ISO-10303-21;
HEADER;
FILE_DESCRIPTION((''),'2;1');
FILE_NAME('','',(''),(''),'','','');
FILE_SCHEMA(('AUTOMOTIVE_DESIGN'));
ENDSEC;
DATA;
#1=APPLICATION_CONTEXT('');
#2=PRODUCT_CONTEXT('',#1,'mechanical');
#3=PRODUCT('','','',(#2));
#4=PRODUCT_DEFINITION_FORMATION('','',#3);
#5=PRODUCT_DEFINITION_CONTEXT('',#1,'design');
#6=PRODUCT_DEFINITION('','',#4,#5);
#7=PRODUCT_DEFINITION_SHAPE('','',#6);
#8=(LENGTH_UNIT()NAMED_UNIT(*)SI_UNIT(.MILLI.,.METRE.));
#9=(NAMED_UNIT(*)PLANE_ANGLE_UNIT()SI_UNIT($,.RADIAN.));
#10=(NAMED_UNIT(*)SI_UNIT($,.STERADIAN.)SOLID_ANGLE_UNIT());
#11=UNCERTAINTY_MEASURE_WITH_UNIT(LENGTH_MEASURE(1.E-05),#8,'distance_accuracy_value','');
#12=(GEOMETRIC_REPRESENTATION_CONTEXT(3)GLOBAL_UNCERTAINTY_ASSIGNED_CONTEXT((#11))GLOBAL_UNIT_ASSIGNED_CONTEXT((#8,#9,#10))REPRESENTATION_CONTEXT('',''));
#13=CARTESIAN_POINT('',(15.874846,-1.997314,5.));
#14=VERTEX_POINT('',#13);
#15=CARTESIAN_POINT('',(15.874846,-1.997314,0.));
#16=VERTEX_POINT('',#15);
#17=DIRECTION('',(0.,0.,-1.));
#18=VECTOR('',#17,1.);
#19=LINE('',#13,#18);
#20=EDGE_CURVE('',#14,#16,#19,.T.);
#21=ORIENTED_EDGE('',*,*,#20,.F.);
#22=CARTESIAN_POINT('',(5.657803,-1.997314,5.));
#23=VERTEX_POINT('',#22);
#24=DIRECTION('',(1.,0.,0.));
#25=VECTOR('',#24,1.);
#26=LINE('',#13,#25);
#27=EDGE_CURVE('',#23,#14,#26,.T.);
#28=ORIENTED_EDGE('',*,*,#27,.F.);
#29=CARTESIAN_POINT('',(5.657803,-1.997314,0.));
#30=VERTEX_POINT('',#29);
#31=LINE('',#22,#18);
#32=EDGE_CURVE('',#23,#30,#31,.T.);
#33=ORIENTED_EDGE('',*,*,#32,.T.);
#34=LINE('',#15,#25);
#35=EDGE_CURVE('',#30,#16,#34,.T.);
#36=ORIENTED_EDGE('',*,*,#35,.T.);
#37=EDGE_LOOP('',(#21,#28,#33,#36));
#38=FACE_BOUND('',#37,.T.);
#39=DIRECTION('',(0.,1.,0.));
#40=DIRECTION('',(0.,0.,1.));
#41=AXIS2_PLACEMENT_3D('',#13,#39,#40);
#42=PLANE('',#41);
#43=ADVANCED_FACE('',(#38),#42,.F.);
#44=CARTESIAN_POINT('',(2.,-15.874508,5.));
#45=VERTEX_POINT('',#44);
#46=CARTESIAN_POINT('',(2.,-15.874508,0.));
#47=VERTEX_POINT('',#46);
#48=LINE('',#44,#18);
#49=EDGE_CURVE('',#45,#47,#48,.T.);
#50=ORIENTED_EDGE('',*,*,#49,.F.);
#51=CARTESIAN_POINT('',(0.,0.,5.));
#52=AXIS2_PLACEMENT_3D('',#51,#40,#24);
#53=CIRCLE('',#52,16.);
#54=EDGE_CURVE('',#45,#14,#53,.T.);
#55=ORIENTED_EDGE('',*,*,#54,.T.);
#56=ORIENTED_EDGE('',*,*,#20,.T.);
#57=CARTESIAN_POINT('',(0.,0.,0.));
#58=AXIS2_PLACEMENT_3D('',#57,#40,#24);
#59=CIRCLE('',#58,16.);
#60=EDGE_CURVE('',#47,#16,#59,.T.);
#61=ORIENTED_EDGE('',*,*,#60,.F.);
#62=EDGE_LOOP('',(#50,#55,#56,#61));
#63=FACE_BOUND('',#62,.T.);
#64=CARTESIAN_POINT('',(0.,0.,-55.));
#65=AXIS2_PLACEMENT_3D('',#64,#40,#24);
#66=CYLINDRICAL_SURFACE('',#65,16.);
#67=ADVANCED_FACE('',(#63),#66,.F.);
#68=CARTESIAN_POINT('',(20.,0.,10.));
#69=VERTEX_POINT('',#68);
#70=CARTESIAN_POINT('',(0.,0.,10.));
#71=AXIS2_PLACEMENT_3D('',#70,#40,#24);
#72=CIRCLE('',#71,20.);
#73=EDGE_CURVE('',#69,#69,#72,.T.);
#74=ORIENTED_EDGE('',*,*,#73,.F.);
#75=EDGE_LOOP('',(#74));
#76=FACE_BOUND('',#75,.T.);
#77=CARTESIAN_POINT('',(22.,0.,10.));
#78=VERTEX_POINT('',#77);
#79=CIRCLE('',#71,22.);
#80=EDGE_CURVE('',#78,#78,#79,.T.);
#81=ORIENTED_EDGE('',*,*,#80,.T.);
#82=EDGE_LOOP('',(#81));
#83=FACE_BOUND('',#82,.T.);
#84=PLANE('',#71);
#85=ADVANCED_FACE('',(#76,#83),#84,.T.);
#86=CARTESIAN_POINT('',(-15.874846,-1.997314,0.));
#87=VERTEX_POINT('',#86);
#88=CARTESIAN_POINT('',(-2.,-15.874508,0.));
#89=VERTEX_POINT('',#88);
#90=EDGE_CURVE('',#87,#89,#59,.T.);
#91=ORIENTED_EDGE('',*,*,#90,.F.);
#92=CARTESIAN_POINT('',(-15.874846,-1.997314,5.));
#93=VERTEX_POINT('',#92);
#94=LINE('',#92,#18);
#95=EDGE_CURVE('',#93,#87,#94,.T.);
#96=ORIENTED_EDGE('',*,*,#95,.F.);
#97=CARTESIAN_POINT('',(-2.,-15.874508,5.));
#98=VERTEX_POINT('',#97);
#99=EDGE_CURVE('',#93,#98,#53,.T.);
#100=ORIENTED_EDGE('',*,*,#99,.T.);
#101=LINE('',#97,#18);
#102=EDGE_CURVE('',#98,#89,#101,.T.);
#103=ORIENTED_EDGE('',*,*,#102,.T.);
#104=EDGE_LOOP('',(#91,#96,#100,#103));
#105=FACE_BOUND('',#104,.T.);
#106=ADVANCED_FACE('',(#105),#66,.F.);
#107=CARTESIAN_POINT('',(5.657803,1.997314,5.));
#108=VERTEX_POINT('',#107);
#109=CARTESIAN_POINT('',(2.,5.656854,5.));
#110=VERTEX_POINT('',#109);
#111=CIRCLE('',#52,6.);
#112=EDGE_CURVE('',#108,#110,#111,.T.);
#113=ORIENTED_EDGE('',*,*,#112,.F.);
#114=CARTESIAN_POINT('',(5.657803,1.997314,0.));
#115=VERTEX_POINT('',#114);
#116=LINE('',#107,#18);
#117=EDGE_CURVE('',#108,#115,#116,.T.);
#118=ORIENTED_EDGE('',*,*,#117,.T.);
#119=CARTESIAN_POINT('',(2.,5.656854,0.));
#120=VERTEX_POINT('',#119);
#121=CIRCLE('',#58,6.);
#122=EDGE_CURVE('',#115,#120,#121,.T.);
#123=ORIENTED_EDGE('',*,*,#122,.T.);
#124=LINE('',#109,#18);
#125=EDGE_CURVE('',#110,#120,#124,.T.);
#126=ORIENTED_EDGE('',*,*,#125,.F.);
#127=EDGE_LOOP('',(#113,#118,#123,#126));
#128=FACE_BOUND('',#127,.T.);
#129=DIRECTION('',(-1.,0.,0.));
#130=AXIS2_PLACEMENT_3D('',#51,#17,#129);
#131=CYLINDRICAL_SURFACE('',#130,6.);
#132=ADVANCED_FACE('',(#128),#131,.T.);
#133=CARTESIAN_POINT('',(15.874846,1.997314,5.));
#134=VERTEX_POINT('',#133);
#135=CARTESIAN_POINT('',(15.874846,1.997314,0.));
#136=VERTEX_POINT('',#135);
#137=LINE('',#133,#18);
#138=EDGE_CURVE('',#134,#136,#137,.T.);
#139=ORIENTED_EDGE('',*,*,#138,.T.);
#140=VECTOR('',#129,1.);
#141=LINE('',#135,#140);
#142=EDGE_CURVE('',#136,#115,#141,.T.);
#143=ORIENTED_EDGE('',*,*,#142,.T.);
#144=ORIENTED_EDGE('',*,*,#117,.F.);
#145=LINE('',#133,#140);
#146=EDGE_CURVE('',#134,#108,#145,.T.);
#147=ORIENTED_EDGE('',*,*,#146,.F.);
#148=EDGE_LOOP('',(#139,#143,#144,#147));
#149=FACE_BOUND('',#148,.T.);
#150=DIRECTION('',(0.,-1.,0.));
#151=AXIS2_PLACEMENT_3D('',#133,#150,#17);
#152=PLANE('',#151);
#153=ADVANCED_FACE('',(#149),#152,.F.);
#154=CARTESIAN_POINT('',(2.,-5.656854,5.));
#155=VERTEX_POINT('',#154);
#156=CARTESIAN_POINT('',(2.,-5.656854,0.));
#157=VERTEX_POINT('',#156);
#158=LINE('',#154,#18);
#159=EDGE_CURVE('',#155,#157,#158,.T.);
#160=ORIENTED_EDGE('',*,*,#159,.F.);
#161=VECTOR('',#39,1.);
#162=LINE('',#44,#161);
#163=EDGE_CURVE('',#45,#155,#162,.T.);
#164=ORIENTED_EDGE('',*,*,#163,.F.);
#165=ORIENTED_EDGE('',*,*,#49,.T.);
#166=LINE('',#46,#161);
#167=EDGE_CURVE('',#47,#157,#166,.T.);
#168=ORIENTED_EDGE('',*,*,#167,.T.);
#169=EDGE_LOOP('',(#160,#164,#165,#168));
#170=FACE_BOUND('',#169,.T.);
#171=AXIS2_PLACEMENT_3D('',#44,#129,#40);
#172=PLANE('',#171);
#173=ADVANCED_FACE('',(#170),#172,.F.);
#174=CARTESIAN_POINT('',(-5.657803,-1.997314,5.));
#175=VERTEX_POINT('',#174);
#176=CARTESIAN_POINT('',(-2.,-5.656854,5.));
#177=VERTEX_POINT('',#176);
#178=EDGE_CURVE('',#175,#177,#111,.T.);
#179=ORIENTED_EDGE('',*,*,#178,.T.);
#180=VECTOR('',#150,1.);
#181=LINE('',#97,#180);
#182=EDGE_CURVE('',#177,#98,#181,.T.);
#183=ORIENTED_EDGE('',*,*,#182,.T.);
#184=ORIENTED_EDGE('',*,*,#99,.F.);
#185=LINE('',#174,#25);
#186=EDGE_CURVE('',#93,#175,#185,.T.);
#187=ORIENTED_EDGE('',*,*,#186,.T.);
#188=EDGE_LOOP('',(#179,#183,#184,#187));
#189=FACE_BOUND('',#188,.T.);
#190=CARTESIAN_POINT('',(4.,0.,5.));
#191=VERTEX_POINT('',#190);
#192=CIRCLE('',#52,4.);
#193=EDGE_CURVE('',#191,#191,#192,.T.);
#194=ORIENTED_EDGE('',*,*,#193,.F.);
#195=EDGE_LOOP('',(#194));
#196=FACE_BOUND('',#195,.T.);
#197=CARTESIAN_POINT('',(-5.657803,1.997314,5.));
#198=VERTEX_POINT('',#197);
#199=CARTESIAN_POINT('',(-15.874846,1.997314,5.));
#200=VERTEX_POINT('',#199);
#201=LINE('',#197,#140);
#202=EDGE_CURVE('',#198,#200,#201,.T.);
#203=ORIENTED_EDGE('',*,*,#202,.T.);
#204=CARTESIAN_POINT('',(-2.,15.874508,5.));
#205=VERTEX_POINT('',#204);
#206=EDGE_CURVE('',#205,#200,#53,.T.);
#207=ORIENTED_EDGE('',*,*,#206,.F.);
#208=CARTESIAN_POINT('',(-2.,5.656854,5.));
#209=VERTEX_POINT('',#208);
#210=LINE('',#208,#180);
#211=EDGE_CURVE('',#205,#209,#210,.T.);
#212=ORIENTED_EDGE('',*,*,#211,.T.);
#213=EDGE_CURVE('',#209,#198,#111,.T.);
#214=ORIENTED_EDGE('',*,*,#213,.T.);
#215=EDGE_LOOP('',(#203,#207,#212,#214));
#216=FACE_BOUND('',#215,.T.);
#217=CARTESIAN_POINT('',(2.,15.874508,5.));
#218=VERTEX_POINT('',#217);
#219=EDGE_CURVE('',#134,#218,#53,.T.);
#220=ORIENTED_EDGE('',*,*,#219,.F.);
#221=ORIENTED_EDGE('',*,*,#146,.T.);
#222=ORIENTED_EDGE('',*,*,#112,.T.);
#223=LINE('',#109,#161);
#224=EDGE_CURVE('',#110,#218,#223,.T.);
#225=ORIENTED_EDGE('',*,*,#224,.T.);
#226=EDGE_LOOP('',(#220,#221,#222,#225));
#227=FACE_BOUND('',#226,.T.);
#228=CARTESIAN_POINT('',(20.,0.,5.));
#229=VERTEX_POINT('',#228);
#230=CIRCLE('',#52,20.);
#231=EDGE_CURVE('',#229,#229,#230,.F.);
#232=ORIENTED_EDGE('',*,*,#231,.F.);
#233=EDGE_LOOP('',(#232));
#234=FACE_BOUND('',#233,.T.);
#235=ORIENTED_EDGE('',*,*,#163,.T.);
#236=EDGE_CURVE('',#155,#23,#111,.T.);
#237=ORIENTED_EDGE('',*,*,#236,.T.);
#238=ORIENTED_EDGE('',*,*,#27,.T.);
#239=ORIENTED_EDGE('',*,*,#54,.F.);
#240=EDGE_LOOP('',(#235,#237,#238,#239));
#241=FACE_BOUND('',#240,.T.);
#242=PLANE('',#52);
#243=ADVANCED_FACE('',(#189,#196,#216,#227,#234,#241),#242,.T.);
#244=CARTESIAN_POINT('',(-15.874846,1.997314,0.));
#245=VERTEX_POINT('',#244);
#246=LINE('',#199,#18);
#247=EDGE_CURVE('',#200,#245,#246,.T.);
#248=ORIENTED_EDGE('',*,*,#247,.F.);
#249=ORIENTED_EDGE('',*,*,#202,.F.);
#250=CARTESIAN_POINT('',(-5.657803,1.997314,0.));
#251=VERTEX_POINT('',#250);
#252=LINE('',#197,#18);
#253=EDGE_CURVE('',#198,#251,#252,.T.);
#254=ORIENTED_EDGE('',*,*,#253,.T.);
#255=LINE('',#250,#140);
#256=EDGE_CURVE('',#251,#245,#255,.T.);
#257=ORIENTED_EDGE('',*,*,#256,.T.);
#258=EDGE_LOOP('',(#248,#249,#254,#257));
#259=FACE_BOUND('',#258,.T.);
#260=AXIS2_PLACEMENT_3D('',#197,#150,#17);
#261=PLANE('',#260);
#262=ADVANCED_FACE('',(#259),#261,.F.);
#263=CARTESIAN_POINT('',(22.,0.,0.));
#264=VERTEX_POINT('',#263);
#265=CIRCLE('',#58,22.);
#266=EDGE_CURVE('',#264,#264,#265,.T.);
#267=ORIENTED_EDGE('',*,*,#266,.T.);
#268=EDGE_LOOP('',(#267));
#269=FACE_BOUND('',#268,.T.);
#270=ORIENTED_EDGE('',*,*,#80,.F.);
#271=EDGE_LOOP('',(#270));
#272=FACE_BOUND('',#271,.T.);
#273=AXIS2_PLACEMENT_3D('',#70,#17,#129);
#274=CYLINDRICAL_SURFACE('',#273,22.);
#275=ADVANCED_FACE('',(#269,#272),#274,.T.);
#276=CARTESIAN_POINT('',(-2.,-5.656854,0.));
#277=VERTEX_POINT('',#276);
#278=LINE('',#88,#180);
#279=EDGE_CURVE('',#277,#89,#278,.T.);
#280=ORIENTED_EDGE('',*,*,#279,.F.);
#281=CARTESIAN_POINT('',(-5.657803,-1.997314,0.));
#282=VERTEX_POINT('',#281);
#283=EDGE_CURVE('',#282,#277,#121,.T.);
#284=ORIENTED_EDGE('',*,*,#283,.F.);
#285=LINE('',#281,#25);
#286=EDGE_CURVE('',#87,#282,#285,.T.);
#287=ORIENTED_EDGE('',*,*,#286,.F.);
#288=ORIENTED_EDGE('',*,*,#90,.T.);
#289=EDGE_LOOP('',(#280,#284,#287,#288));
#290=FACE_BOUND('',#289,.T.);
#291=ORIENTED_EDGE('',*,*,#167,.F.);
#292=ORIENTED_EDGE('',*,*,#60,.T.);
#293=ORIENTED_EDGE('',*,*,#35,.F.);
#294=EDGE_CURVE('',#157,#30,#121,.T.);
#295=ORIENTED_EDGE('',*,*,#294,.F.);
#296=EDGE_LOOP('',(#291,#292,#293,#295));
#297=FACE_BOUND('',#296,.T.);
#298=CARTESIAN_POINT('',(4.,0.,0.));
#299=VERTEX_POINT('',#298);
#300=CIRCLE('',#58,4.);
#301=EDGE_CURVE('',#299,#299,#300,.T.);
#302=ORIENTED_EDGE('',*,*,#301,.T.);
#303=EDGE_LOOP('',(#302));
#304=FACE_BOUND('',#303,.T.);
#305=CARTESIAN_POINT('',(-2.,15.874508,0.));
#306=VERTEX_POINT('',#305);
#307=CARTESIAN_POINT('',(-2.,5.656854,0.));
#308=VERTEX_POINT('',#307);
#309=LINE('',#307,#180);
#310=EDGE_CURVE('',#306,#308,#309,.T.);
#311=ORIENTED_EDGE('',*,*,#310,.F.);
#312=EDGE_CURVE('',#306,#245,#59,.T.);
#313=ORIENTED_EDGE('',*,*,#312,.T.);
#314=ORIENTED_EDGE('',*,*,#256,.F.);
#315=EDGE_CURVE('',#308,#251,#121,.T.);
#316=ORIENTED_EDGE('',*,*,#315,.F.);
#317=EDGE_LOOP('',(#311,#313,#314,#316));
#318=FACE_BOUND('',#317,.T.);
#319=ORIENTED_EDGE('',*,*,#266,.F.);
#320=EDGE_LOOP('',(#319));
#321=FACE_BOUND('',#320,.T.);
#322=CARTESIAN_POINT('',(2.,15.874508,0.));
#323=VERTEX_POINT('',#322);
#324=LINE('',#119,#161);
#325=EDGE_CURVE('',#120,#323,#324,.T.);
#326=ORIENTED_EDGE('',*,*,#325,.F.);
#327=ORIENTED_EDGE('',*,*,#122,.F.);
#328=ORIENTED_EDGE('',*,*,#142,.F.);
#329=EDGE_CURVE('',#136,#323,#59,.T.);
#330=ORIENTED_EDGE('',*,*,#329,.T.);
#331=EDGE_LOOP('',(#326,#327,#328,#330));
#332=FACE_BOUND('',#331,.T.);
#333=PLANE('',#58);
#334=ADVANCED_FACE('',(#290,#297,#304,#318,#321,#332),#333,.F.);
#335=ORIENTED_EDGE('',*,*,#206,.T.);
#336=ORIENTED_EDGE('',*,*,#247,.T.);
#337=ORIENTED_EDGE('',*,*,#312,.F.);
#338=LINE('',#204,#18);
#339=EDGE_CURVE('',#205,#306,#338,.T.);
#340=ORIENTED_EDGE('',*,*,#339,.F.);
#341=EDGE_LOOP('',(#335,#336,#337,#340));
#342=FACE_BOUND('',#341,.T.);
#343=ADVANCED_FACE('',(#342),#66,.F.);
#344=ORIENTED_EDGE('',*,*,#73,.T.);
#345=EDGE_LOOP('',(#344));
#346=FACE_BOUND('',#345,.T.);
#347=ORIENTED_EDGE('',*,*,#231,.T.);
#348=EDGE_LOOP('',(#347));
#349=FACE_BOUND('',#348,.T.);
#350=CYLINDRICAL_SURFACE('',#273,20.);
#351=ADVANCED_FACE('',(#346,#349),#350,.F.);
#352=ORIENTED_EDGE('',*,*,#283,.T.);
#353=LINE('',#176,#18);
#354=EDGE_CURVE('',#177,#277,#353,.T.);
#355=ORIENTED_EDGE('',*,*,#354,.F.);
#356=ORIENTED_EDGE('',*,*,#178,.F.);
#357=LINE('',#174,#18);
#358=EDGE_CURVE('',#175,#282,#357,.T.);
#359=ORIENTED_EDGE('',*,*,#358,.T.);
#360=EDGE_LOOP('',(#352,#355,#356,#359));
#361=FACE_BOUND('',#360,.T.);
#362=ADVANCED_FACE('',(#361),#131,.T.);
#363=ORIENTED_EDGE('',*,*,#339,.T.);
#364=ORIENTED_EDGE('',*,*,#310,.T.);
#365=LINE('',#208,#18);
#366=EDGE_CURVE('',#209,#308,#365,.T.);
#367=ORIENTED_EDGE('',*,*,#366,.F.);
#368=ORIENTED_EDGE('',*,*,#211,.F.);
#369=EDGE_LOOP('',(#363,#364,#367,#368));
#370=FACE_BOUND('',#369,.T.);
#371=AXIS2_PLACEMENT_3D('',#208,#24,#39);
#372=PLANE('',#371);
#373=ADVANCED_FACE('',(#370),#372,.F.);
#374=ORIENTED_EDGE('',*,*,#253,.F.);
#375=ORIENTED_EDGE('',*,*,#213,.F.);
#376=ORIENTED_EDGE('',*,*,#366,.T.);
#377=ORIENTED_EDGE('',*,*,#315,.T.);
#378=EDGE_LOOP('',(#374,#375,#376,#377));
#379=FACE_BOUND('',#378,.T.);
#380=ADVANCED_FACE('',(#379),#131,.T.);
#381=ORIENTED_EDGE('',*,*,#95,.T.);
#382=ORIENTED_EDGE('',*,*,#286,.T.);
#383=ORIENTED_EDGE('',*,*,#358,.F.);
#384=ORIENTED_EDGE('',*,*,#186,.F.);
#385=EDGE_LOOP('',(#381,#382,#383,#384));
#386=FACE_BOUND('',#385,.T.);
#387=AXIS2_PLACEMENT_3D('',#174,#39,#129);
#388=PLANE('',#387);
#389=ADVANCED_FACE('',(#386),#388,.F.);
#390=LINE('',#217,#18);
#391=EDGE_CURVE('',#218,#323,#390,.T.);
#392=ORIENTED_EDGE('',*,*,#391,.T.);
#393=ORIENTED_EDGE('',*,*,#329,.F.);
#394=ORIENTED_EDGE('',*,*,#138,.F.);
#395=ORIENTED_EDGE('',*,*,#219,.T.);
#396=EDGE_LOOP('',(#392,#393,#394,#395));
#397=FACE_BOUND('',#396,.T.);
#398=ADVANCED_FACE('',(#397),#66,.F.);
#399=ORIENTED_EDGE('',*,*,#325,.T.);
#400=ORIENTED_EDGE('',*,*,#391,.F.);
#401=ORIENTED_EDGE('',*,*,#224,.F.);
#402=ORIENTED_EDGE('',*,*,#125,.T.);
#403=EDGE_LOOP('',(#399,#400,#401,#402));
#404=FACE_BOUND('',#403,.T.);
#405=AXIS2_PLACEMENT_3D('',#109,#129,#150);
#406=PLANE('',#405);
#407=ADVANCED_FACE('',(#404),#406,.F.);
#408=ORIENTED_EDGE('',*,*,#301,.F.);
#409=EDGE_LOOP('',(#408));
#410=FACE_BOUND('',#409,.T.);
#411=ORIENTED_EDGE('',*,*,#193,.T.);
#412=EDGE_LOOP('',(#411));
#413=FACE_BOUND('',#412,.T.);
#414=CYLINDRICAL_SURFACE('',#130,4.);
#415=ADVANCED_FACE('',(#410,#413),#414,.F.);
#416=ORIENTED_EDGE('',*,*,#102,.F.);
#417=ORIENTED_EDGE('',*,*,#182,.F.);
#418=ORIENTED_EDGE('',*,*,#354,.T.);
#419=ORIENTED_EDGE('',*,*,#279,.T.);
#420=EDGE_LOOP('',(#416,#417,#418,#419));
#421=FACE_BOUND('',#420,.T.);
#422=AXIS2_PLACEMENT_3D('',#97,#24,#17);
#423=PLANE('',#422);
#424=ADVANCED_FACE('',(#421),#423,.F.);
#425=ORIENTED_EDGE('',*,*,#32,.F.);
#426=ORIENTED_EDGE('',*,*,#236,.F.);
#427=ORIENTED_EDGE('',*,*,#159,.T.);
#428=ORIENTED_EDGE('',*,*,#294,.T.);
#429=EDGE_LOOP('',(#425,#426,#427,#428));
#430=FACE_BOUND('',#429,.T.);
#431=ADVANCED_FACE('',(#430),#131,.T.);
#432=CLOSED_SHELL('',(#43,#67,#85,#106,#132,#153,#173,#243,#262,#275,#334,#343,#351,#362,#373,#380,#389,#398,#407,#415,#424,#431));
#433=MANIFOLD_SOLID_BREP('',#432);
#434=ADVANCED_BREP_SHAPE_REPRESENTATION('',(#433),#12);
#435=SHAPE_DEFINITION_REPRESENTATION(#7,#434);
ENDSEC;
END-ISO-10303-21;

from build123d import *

# Parameters (mm, degrees)
ESBO_O1_R                = 20
ESBO_O1_R_2              = 4
RESSALTO_EXTRUS_O3_DEPTH = 5
ESBO_O1_6_R              = 22
ESBO_O1_6_R_2            = 20
RESSALTO_EXTRUS_O4_DEPTH = 10
ESBO_O1_7_R              = 4
RESSALTO_EXTRUS_O5_DEPTH = 2
ESBO_O2_R                = 16
CORTE_EXTRUS_O1_DEPTH    = 60
RESSALTO_EXTRUS_O6_START = 5
ESBO_O3_R                = 4
RESSALTO_EXTRUS_O6_DEPTH = 5


with BuildPart() as part:
    # Esboço1 → Ressalto-extrusão3 (new body)
    with BuildSketch(Plane.XY):
        Circle(ESBO_O1_R)
        Circle(ESBO_O1_R_2, mode=Mode.SUBTRACT)
    extrude(amount=RESSALTO_EXTRUS_O3_DEPTH)

    # Esboço1<6> → Ressalto-extrusão4 (add)
    with BuildSketch(Plane.XY):
        Circle(ESBO_O1_6_R)
        Circle(ESBO_O1_6_R_2, mode=Mode.SUBTRACT)
    extrude(amount=RESSALTO_EXTRUS_O4_DEPTH)

    # Esboço1<7> → Ressalto-extrusão5 (add)
    with BuildSketch(Plane.XY):
        Circle(ESBO_O1_7_R)
    extrude(amount=RESSALTO_EXTRUS_O5_DEPTH)

    # Esboço2 → Corte-extrusão1 (cut)
    with BuildSketch(Plane.XY.offset(5)):
        Circle(ESBO_O2_R)
    extrude(amount=-CORTE_EXTRUS_O1_DEPTH, mode=Mode.SUBTRACT)

    # Esboço3 → Ressalto-extrusão6 (add)
    with BuildSketch(Plane.XY.offset(RESSALTO_EXTRUS_O6_START)):
        with BuildLine():
            Line((2, -15.874507866), (2, -5.656854249))
            ThreePointArc((2, -5.656854249), (4.243647898, -4.241633237), (5.657803332, -1.997313561))
            Line((5.657803332, -1.997313561), (15.874846095, -1.997313561))
            ThreePointArc((15.874846095, -1.997313561), (16, 0), (15.874846095, 1.997313561))
            Line((15.874846095, 1.997313561), (5.657803332, 1.997313561))
            ThreePointArc((5.657803332, 1.997313561), (4.243647898, 4.241633237), (2, 5.656854249))
            Line((2, 5.656854249), (2, 15.874507866))
            ThreePointArc((2, 15.874507866), (0, 16), (-2, 15.874507866))
            Line((-2, 15.874507866), (-2, 5.656854249))
            ThreePointArc((-2, 5.656854249), (-4.243647898, 4.241633237), (-5.657803332, 1.997313561))
            Line((-5.657803332, 1.997313561), (-15.874846095, 1.997313561))
            ThreePointArc((-15.874846095, 1.997313561), (-16, 0), (-15.874846095, -1.997313561))
            Line((-15.874846095, -1.997313561), (-5.657803332, -1.997313561))
            ThreePointArc((-5.657803332, -1.997313561), (-4.243647898, -4.241633237), (-2, -5.656854249))
            Line((-2, -5.656854249), (-2, -15.874507866))
            ThreePointArc((-2, -15.874507866), (0, -16), (2, -15.874507866))
        make_face()
        Circle(ESBO_O3_R, mode=Mode.SUBTRACT)
    extrude(amount=-RESSALTO_EXTRUS_O6_DEPTH)


solid = part.part
